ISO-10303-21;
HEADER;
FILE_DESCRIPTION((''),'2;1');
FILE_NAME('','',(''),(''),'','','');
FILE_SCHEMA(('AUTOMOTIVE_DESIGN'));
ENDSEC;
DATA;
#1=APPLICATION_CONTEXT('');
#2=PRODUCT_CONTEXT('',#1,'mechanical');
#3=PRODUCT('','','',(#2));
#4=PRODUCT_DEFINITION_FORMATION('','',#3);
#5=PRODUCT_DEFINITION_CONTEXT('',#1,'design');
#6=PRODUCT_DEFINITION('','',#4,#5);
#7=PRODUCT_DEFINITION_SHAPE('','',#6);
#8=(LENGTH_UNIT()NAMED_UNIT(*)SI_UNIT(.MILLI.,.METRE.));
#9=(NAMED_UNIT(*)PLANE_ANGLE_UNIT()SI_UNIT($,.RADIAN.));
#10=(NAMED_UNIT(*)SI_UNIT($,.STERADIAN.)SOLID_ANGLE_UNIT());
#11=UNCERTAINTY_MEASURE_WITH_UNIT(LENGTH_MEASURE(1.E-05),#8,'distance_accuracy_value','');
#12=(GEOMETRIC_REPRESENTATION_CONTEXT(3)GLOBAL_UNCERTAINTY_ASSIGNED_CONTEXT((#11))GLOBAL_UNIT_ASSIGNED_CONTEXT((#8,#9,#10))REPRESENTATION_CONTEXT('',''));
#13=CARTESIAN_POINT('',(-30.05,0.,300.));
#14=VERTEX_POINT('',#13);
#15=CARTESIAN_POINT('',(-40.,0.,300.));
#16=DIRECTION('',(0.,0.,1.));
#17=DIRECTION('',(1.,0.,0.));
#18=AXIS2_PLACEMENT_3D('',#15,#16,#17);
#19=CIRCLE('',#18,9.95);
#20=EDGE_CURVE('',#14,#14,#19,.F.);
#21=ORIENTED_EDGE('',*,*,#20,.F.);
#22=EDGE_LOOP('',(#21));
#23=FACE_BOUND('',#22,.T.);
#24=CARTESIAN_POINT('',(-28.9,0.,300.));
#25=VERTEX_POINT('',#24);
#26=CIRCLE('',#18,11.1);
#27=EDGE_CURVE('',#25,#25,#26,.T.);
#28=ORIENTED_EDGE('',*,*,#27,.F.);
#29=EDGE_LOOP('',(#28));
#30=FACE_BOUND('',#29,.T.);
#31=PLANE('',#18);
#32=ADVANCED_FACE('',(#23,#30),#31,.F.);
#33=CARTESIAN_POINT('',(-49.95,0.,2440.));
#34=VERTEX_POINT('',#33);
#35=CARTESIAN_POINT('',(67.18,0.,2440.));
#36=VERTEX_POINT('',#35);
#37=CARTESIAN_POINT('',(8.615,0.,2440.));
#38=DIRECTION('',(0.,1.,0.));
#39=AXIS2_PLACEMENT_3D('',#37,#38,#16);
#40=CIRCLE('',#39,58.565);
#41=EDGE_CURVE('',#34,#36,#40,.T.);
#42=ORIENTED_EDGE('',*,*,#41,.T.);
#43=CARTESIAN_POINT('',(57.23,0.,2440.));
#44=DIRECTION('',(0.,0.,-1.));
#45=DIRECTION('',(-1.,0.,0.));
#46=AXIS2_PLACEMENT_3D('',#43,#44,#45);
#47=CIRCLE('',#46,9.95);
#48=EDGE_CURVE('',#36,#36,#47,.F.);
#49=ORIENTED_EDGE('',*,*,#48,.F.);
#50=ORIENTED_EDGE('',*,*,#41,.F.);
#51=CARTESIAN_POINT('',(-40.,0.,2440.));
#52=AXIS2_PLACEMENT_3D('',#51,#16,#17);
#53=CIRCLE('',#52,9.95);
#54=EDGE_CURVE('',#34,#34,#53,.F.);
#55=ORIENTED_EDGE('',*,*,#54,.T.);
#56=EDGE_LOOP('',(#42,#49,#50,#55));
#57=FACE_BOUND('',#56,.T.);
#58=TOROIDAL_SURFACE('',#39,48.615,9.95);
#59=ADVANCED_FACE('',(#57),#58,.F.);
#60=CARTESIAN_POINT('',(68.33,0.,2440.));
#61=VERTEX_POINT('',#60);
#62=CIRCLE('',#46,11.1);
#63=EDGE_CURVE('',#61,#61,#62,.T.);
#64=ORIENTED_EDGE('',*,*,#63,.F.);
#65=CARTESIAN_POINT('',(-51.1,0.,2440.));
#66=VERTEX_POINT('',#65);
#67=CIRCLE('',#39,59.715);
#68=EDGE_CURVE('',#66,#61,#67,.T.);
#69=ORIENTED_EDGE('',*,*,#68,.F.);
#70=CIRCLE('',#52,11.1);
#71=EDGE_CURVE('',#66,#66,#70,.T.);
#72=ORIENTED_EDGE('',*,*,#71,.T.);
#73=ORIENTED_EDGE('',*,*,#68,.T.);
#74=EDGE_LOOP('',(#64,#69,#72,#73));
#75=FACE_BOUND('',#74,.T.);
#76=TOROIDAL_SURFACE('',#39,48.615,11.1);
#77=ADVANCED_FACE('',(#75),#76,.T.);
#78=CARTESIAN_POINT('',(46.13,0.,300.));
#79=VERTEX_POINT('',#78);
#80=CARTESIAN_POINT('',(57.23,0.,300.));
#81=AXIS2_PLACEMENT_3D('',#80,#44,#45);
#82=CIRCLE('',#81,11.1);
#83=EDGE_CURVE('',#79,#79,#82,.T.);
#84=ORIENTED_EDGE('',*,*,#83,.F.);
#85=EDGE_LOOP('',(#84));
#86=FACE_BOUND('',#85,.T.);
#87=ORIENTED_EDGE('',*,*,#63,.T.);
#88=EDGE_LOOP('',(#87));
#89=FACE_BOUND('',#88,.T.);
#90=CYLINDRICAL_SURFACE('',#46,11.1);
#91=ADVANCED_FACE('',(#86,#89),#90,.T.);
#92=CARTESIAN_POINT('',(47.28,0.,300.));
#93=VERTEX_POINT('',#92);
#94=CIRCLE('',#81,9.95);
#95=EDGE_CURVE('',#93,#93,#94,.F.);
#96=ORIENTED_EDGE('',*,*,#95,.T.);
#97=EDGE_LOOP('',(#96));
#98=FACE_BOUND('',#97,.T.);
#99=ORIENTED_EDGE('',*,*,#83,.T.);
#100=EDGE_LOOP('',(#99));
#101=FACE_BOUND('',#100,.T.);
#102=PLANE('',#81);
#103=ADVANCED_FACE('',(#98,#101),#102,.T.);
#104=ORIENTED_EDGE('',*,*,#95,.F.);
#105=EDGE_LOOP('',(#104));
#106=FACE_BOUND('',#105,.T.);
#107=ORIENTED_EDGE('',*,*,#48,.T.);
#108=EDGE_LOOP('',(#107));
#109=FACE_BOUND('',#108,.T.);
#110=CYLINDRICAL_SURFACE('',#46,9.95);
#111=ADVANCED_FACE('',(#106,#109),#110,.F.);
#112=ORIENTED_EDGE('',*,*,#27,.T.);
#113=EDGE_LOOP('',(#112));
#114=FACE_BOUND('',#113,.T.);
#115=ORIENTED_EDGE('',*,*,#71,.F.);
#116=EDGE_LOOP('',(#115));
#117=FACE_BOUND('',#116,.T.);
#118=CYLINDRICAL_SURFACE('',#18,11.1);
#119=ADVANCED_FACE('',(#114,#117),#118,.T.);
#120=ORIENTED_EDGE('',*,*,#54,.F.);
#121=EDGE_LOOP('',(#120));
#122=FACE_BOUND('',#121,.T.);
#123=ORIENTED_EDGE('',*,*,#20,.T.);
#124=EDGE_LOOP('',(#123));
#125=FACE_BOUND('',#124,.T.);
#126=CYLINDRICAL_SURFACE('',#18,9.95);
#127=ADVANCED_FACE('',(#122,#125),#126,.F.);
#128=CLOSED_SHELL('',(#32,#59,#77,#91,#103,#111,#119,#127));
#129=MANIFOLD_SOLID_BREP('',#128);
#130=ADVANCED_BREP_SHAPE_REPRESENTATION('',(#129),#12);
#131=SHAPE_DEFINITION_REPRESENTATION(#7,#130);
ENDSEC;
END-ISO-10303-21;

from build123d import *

# Parameters (mm, degrees)
SKETCH2_R   = 11.1
SKETCH2_R_2 = 9.95


with BuildPart() as part:
    # Sweep1: sweep along a path in Sketch1
    with BuildLine(Plane(origin=(0, 0, 0), x_dir=(1, 0, 0), z_dir=(0, 1, 0))) as sweep1_path:
        Line((57.23, -300), (57.23, -2440))
        ThreePointArc((57.23, -2440), (8.615, -2488.615), (-40, -2440))
        Line((-40, -2440), (-40, -300))
    # Sketch2 → Sweep1 (sweep)
    with BuildSketch(Plane(origin=(57.23, 0, 300), x_dir=(-1, 0, 0), z_dir=(0, 0, -1))):
        Circle(SKETCH2_R)
        Circle(SKETCH2_R_2, mode=Mode.SUBTRACT)
    sweep(path=sweep1_path.line)


solid = part.part
